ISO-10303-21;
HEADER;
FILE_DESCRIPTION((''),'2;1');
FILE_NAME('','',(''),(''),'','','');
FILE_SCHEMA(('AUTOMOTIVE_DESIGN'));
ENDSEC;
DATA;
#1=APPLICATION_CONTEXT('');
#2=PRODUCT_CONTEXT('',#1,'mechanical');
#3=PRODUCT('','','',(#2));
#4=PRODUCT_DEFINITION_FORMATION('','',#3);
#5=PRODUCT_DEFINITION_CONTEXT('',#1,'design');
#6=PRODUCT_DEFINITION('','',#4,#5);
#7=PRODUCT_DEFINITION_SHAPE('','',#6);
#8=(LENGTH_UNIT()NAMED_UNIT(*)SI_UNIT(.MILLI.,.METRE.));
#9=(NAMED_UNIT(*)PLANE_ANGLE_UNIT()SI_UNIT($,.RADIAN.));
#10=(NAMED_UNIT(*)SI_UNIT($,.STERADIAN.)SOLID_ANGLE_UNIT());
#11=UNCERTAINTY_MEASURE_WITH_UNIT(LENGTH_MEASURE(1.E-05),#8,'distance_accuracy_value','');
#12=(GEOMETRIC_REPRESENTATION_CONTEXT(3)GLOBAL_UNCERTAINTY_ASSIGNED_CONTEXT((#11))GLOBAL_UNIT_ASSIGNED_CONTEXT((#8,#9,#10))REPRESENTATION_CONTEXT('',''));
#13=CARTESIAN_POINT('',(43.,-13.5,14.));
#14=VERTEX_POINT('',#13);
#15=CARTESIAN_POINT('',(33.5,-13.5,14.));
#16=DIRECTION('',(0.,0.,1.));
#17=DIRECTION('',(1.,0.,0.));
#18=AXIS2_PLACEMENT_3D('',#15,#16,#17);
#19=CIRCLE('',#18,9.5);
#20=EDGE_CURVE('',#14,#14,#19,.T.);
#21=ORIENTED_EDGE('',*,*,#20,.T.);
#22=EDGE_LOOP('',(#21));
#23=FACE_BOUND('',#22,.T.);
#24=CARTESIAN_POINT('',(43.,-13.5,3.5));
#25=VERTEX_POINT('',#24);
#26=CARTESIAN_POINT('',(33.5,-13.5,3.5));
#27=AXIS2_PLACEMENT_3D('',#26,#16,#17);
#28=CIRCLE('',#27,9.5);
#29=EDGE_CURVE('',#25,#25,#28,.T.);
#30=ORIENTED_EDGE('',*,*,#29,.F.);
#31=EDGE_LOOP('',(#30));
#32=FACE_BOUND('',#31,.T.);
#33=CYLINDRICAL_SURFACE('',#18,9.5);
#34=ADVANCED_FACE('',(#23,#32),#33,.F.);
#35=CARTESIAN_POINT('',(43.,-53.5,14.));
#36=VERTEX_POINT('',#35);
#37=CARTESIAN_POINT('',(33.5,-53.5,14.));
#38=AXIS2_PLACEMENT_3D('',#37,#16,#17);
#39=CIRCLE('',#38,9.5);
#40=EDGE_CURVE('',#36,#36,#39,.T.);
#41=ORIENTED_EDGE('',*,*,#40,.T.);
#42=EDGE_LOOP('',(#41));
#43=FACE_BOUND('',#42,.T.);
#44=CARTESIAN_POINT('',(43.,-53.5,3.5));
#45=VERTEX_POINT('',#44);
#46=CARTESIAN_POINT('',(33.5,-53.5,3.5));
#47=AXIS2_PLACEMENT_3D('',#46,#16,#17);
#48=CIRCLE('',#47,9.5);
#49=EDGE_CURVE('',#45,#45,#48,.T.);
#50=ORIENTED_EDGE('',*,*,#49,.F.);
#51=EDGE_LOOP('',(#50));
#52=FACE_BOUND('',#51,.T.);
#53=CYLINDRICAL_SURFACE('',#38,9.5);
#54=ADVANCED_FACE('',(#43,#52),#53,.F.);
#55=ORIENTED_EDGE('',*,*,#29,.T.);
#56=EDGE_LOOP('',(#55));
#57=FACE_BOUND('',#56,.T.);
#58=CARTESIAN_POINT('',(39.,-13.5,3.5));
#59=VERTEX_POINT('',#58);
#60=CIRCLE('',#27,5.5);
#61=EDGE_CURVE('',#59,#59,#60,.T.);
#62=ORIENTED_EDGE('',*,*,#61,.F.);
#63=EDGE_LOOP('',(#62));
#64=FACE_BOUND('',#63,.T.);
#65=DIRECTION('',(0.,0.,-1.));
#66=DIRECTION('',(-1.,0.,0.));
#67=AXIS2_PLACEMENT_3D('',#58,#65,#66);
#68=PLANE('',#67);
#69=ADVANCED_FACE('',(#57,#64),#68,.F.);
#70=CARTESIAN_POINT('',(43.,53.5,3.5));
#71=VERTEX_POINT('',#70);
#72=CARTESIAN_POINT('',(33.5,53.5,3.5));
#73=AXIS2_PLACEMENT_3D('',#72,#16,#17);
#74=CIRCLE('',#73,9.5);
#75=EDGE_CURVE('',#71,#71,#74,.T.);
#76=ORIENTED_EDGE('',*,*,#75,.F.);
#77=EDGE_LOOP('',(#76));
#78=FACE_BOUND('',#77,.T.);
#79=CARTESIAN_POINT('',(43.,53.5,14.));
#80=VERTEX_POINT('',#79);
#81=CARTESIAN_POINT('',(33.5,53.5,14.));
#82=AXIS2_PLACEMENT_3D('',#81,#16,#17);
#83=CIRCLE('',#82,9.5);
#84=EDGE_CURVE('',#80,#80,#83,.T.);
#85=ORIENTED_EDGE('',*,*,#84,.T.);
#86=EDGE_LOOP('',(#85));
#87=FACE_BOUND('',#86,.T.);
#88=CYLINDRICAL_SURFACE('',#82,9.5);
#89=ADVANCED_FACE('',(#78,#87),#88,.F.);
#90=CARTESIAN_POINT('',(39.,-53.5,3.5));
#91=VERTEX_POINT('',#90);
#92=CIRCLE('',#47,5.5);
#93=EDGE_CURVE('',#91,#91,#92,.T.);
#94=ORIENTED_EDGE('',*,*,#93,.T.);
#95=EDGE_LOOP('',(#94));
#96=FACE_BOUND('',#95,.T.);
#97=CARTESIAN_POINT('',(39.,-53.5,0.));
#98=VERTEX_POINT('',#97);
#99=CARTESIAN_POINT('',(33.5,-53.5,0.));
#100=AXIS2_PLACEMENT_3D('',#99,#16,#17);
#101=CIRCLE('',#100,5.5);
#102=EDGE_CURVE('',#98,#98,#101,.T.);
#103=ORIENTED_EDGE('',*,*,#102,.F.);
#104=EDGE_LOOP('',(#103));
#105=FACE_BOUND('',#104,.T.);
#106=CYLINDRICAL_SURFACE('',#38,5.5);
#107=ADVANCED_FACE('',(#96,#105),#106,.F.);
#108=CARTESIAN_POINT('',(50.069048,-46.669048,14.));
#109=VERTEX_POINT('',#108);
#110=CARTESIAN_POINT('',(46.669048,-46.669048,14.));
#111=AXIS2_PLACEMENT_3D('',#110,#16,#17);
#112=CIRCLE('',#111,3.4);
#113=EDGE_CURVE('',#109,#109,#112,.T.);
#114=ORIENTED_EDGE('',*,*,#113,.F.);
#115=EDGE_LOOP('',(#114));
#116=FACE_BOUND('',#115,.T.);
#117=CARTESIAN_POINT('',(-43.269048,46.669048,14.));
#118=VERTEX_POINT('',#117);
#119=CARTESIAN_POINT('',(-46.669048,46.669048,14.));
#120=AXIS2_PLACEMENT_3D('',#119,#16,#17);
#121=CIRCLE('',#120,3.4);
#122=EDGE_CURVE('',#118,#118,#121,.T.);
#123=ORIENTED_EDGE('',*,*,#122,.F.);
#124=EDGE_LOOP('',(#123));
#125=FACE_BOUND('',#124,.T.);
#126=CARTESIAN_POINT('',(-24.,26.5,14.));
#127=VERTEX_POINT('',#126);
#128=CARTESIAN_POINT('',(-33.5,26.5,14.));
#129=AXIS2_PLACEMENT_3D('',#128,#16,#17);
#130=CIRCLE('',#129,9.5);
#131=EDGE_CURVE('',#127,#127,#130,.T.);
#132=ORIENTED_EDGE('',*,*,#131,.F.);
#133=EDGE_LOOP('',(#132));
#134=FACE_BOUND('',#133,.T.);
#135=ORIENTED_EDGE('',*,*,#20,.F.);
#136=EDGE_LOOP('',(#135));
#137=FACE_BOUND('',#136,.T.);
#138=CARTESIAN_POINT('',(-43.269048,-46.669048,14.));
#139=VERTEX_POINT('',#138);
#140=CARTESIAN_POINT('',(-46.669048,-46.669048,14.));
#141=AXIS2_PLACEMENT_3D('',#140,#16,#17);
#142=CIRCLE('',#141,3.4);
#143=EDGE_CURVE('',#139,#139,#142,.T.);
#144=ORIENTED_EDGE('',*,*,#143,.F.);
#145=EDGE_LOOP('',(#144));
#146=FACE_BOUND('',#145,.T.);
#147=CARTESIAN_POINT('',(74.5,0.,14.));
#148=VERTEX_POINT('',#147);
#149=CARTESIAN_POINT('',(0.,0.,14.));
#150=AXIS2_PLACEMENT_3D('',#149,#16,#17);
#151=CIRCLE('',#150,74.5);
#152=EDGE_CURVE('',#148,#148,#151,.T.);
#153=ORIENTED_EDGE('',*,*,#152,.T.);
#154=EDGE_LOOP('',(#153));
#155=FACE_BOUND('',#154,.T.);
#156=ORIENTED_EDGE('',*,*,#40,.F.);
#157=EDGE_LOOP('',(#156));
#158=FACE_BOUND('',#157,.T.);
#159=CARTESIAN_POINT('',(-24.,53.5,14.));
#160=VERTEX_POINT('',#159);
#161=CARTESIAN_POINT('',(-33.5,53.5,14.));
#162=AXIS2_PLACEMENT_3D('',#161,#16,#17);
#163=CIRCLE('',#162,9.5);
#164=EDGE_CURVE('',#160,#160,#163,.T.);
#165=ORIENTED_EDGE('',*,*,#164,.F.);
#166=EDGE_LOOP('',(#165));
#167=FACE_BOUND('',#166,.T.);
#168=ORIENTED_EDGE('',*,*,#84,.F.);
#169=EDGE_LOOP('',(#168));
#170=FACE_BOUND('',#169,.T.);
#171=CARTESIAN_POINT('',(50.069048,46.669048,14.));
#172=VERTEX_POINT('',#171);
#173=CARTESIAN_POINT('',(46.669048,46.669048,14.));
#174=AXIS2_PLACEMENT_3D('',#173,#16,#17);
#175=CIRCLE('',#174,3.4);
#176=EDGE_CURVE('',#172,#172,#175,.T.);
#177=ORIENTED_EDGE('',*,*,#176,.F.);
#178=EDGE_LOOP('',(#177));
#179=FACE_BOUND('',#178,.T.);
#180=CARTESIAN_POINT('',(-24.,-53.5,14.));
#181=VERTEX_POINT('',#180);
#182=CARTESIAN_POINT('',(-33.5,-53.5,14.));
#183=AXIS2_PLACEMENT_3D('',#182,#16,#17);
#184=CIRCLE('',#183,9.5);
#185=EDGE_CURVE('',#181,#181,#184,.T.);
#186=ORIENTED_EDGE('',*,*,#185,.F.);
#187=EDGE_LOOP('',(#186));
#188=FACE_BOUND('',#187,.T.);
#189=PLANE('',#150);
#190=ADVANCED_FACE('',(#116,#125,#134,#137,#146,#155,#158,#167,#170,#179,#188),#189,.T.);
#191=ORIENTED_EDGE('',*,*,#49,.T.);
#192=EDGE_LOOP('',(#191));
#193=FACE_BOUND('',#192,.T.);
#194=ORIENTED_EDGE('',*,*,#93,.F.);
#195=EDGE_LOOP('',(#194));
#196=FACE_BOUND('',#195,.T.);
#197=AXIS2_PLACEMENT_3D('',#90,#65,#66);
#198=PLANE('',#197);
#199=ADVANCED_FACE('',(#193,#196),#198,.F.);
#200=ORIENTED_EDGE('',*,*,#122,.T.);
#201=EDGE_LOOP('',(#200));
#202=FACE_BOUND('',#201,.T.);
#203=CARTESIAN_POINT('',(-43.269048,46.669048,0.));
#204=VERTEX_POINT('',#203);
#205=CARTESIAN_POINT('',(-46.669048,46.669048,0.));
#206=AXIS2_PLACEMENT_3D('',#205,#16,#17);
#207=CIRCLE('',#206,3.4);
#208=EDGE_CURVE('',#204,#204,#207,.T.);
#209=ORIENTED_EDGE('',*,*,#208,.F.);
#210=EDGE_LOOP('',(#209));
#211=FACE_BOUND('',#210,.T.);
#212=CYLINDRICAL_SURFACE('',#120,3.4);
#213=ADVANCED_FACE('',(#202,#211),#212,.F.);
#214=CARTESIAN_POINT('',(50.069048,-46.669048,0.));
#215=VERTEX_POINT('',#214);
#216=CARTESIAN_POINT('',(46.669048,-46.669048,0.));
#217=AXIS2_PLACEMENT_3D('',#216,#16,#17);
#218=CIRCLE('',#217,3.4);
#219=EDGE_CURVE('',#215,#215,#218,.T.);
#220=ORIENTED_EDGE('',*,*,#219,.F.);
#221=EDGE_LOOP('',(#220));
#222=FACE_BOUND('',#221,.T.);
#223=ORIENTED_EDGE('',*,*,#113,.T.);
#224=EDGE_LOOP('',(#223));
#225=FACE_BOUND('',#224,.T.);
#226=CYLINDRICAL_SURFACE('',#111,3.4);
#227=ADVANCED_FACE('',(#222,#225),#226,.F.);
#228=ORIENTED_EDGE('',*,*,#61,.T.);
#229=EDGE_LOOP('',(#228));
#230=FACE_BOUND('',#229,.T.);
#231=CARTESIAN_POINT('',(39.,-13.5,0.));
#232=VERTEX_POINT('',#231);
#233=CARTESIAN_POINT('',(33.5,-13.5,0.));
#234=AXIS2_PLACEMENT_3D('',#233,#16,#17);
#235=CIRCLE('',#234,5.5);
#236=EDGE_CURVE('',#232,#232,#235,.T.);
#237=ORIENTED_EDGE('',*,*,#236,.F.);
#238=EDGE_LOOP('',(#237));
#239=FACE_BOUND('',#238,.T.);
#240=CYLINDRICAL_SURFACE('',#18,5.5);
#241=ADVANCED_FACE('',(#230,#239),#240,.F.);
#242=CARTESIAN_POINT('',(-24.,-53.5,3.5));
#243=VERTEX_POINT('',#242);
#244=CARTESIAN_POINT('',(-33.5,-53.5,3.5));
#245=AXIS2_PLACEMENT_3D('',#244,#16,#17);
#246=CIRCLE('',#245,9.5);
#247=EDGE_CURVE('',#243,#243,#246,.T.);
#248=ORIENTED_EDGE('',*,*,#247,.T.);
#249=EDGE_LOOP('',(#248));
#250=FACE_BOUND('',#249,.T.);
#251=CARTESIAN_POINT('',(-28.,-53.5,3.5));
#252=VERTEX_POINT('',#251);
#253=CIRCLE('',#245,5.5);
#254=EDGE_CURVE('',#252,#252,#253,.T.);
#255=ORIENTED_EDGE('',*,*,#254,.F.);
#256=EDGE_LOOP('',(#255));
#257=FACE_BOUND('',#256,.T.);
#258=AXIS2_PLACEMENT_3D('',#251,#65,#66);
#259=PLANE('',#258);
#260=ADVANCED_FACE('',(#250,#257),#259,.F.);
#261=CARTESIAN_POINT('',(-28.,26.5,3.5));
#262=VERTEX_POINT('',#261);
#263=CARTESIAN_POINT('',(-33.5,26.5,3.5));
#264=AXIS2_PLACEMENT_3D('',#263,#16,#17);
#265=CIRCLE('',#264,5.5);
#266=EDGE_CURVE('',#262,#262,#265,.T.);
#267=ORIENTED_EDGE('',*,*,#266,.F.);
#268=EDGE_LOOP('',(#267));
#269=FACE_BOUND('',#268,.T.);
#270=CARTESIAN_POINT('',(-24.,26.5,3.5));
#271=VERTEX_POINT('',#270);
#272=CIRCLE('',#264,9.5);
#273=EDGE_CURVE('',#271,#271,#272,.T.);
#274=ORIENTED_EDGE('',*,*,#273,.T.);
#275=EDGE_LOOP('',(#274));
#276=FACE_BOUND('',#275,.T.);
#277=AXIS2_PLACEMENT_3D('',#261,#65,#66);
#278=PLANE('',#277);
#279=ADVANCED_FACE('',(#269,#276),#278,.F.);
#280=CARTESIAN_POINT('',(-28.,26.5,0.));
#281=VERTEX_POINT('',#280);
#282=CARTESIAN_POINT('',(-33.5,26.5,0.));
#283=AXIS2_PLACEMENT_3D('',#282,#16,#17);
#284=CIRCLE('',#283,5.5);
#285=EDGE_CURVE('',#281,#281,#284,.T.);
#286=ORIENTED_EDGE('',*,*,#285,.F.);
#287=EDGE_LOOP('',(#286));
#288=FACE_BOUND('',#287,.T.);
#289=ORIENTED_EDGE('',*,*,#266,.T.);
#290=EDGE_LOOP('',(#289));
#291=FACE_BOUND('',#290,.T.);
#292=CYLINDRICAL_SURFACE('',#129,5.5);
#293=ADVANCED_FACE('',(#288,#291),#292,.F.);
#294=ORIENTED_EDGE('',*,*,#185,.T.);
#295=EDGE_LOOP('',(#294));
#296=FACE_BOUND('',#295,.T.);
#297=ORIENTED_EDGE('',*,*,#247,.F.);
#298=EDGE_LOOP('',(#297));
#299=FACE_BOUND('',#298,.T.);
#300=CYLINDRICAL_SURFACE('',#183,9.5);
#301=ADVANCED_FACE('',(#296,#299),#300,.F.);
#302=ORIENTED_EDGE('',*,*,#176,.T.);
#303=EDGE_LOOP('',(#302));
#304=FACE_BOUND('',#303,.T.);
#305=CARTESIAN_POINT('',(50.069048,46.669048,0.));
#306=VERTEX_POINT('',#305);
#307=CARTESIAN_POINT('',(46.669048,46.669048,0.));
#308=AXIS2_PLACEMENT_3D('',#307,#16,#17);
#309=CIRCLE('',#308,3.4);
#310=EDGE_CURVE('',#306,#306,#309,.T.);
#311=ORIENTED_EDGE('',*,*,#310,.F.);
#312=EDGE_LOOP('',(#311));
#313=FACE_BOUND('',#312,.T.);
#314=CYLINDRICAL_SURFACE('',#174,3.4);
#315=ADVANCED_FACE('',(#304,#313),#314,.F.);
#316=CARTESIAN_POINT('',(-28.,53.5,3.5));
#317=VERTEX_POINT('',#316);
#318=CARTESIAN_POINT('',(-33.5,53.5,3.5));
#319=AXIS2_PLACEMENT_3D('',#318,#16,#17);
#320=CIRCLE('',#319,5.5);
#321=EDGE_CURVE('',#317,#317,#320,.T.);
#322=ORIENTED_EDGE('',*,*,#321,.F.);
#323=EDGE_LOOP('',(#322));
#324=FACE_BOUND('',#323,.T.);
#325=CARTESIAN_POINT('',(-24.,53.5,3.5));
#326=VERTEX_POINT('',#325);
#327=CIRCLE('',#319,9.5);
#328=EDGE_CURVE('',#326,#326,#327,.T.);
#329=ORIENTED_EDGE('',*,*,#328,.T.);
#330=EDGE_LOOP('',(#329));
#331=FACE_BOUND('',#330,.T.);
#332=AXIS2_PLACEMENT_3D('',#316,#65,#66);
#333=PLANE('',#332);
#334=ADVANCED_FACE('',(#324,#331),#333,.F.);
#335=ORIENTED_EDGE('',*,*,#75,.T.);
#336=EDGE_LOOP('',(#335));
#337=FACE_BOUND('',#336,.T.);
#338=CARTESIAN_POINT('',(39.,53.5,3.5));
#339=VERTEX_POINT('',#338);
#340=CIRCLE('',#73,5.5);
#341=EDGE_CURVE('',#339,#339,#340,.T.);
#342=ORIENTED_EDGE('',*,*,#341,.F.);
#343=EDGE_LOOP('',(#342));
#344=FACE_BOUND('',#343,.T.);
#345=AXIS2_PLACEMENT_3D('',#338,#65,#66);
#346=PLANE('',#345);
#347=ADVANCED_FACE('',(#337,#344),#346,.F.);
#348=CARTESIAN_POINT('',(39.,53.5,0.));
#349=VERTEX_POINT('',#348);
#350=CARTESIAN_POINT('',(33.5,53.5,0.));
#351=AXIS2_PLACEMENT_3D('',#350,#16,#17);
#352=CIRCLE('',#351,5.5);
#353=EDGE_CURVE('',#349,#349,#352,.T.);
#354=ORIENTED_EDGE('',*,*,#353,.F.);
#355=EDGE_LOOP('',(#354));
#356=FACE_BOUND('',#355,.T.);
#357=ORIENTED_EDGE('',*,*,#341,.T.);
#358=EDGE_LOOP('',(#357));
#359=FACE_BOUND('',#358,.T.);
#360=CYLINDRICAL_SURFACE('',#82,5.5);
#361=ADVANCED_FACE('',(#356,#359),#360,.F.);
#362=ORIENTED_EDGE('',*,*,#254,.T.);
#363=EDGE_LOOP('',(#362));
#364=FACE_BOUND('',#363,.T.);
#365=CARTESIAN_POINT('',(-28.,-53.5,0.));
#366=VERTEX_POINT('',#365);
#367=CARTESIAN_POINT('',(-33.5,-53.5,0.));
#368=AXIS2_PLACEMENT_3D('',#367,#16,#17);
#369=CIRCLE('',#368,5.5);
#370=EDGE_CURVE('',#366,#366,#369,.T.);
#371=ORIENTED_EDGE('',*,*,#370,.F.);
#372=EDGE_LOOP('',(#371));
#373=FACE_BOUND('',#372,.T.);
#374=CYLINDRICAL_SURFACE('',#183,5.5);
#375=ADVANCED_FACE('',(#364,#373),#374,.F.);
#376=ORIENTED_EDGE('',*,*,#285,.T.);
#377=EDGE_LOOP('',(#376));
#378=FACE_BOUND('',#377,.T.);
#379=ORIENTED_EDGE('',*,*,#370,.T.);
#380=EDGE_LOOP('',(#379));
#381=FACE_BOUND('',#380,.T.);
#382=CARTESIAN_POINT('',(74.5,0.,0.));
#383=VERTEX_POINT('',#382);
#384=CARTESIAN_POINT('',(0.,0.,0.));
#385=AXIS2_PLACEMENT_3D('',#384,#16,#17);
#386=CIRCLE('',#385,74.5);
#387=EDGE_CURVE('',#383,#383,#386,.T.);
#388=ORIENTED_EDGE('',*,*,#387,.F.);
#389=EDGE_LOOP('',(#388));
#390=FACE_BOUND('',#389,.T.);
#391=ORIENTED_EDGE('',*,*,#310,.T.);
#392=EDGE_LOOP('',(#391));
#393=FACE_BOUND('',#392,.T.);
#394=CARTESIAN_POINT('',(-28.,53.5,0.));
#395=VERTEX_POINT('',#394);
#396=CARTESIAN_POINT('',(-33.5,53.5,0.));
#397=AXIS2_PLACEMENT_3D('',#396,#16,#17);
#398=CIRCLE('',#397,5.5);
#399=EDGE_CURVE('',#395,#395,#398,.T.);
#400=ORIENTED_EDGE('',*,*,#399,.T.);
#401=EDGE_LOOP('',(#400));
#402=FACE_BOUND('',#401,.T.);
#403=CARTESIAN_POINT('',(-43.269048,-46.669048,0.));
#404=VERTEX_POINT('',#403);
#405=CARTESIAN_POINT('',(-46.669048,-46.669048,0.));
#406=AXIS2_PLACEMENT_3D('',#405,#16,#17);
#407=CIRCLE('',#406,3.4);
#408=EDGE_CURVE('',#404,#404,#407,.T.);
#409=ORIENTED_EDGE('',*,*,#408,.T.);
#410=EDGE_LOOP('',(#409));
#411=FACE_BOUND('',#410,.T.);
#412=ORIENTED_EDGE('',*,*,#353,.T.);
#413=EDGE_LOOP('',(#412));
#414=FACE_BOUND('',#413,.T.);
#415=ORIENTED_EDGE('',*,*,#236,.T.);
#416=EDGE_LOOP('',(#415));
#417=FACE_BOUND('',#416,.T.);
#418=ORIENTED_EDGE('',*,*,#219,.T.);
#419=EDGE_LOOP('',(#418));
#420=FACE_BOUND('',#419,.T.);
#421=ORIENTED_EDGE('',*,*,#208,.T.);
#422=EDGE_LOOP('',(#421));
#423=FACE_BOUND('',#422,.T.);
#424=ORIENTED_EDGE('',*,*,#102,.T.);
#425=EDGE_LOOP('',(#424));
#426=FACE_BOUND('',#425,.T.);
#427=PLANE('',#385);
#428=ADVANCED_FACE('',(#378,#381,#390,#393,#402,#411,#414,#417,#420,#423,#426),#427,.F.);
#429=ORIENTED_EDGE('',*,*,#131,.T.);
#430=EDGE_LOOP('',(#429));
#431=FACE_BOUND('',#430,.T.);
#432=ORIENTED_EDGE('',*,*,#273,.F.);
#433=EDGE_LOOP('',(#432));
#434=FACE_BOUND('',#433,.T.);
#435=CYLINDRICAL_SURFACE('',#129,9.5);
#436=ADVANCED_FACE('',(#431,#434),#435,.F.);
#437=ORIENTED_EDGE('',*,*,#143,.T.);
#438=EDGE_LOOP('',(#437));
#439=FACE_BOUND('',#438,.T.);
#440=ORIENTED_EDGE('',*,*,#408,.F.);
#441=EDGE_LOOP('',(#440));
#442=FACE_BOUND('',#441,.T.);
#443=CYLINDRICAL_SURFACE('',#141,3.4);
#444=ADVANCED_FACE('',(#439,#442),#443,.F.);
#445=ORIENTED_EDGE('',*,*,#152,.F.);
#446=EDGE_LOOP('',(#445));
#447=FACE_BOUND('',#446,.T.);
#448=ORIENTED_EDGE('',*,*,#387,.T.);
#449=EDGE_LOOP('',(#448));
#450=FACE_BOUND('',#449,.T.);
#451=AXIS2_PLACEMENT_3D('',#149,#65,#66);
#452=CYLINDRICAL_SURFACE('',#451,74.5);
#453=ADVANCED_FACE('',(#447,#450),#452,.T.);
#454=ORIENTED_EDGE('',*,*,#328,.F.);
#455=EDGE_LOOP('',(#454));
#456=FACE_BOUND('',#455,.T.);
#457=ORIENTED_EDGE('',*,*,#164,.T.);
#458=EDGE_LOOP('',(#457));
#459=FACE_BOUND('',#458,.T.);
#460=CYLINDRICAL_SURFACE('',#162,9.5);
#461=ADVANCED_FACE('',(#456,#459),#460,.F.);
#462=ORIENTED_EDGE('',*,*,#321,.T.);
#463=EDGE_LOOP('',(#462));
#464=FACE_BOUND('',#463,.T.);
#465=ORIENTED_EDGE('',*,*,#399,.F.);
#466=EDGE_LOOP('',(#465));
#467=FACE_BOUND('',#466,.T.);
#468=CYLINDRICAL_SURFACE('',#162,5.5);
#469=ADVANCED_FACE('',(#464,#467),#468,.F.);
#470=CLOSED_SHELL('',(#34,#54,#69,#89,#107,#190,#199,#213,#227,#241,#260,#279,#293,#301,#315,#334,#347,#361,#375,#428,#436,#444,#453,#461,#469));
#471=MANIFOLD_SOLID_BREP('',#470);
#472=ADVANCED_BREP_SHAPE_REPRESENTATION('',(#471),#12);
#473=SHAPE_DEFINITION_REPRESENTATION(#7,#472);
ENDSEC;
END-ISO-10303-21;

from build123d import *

# Parameters (mm, degrees)
SKETCH_1_R                    = 74.5
EXTRUDE_1_DEPTH               = 14
HOLE_WIZARD_M10_1_D           = 11
HOLE_WIZARD_M10_1_CBORE_D     = 19
HOLE_WIZARD_M10_1_CBORE_DEPTH = 10.5
HOLE_WIZARD_M8_1_D            = 6.8
PATTERN_CIRCULAR_1_COUNT      = 4


with BuildPart() as part:
    # 草图1 → 凸台-拉伸1 (new body)
    with BuildSketch(Plane.XY):
        Circle(SKETCH_1_R)
    extrude(amount=EXTRUDE_1_DEPTH)

    # M10 六角头螺栓的柱形沉头孔1 (through all)
    with Locations(Plane.XY.offset(14)):
        with Locations((-33.5, 26.5), (-33.5, -53.5), (33.5, -53.5), (33.5, -13.5), (33.5, 53.5), (-33.5, 53.5)):
            CounterBoreHole(HOLE_WIZARD_M10_1_D / 2, HOLE_WIZARD_M10_1_CBORE_D / 2, HOLE_WIZARD_M10_1_CBORE_DEPTH)

    # M8 螺纹孔的螺纹孔钻头1 (through all)
    with Locations(Plane.XY.offset(14)):
        with Locations((46.669047558, 46.669047558)):
            hole_wizard_m8_1 = Hole(HOLE_WIZARD_M8_1_D / 2)

    # 阵列(圆周)1: M8 螺纹孔的螺纹孔钻头1 ×4 about axis
    pattern_circular_1_axis = Axis((0, 0, 0), (0, 0, 1))
    for i in range(1, PATTERN_CIRCULAR_1_COUNT):
        add(hole_wizard_m8_1.rotate(pattern_circular_1_axis, i * 360 / PATTERN_CIRCULAR_1_COUNT), mode=Mode.SUBTRACT)


solid = part.part
